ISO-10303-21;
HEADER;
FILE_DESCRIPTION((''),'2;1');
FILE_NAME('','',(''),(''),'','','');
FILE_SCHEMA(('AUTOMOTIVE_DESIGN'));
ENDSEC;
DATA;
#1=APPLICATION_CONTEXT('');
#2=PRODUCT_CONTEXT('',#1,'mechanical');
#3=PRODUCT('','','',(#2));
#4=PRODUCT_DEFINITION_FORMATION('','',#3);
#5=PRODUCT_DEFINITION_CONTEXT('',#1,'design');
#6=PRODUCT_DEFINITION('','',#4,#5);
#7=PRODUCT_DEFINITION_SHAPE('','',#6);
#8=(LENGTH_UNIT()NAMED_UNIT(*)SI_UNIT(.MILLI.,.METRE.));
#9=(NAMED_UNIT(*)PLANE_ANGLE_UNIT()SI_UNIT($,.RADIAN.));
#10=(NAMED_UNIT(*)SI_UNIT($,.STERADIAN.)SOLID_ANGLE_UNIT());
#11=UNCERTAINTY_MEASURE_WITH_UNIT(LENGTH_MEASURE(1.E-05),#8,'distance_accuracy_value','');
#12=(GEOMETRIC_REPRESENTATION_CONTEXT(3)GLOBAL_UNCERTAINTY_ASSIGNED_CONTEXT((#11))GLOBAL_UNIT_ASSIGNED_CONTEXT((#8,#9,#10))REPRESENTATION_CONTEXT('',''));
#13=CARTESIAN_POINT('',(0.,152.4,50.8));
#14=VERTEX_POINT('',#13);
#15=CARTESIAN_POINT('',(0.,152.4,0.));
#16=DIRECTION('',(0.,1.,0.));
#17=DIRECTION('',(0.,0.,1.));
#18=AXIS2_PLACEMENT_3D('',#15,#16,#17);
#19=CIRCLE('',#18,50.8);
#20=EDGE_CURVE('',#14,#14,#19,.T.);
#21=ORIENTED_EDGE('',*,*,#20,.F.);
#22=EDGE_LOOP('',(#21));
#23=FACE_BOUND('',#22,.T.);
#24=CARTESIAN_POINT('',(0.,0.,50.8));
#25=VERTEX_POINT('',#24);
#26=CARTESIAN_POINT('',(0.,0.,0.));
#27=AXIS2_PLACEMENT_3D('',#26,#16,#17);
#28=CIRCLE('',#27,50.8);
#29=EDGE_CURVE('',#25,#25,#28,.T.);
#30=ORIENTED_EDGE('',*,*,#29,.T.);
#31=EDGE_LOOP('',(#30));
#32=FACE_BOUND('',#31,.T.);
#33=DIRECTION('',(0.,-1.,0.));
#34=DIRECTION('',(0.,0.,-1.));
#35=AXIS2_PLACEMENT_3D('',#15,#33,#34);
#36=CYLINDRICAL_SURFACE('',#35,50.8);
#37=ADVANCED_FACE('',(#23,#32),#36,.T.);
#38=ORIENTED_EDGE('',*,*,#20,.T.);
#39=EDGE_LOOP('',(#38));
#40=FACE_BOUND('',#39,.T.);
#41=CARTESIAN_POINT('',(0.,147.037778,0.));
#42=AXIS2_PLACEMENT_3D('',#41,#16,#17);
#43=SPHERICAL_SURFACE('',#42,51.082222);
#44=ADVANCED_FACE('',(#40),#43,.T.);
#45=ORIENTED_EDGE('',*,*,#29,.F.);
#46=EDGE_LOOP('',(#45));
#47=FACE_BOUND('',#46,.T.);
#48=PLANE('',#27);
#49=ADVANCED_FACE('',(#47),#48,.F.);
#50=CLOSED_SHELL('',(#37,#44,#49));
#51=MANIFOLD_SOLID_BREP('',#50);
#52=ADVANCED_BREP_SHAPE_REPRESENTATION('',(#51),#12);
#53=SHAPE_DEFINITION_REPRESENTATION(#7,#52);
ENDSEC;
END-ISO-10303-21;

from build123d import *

# Parameters (mm, degrees)
SKETCH1_R         = 50.8
EXTRUDE1_DEPTH    = 152.4
DOME1_FACE_RADIUS = 50.8
DOME1_HEIGHT      = 45.72


with BuildPart() as part:
    # Sketch1 → Extrude1 (new body)
    with BuildSketch(Plane(origin=(0, 0, 0), x_dir=(1, 0, 0), z_dir=(0, 1, 0))):
        with Locations(Location((0, 0, 0), (0, 0, 270))):  # turned: the seam where the file's is
            Circle(SKETCH1_R)
    extrude(amount=EXTRUDE1_DEPTH)

    # Dome1: a dome of height H over a round flat face of radius A is a cap of a sphere of radius (A * A + H * H) / (2 * H)
    dome1_r = (DOME1_FACE_RADIUS * DOME1_FACE_RADIUS + DOME1_HEIGHT * DOME1_HEIGHT) / (2 * DOME1_HEIGHT)
    dome1_base = Plane((0, 152.4, 0), z_dir=(0, 1, 0))
    with Locations(dome1_base.offset(DOME1_HEIGHT - dome1_r)):
        dome1_ball = Sphere(dome1_r, mode=Mode.PRIVATE)
    add(split(dome1_ball, bisect_by=dome1_base, keep=Keep.TOP, mode=Mode.PRIVATE))


solid = part.part
